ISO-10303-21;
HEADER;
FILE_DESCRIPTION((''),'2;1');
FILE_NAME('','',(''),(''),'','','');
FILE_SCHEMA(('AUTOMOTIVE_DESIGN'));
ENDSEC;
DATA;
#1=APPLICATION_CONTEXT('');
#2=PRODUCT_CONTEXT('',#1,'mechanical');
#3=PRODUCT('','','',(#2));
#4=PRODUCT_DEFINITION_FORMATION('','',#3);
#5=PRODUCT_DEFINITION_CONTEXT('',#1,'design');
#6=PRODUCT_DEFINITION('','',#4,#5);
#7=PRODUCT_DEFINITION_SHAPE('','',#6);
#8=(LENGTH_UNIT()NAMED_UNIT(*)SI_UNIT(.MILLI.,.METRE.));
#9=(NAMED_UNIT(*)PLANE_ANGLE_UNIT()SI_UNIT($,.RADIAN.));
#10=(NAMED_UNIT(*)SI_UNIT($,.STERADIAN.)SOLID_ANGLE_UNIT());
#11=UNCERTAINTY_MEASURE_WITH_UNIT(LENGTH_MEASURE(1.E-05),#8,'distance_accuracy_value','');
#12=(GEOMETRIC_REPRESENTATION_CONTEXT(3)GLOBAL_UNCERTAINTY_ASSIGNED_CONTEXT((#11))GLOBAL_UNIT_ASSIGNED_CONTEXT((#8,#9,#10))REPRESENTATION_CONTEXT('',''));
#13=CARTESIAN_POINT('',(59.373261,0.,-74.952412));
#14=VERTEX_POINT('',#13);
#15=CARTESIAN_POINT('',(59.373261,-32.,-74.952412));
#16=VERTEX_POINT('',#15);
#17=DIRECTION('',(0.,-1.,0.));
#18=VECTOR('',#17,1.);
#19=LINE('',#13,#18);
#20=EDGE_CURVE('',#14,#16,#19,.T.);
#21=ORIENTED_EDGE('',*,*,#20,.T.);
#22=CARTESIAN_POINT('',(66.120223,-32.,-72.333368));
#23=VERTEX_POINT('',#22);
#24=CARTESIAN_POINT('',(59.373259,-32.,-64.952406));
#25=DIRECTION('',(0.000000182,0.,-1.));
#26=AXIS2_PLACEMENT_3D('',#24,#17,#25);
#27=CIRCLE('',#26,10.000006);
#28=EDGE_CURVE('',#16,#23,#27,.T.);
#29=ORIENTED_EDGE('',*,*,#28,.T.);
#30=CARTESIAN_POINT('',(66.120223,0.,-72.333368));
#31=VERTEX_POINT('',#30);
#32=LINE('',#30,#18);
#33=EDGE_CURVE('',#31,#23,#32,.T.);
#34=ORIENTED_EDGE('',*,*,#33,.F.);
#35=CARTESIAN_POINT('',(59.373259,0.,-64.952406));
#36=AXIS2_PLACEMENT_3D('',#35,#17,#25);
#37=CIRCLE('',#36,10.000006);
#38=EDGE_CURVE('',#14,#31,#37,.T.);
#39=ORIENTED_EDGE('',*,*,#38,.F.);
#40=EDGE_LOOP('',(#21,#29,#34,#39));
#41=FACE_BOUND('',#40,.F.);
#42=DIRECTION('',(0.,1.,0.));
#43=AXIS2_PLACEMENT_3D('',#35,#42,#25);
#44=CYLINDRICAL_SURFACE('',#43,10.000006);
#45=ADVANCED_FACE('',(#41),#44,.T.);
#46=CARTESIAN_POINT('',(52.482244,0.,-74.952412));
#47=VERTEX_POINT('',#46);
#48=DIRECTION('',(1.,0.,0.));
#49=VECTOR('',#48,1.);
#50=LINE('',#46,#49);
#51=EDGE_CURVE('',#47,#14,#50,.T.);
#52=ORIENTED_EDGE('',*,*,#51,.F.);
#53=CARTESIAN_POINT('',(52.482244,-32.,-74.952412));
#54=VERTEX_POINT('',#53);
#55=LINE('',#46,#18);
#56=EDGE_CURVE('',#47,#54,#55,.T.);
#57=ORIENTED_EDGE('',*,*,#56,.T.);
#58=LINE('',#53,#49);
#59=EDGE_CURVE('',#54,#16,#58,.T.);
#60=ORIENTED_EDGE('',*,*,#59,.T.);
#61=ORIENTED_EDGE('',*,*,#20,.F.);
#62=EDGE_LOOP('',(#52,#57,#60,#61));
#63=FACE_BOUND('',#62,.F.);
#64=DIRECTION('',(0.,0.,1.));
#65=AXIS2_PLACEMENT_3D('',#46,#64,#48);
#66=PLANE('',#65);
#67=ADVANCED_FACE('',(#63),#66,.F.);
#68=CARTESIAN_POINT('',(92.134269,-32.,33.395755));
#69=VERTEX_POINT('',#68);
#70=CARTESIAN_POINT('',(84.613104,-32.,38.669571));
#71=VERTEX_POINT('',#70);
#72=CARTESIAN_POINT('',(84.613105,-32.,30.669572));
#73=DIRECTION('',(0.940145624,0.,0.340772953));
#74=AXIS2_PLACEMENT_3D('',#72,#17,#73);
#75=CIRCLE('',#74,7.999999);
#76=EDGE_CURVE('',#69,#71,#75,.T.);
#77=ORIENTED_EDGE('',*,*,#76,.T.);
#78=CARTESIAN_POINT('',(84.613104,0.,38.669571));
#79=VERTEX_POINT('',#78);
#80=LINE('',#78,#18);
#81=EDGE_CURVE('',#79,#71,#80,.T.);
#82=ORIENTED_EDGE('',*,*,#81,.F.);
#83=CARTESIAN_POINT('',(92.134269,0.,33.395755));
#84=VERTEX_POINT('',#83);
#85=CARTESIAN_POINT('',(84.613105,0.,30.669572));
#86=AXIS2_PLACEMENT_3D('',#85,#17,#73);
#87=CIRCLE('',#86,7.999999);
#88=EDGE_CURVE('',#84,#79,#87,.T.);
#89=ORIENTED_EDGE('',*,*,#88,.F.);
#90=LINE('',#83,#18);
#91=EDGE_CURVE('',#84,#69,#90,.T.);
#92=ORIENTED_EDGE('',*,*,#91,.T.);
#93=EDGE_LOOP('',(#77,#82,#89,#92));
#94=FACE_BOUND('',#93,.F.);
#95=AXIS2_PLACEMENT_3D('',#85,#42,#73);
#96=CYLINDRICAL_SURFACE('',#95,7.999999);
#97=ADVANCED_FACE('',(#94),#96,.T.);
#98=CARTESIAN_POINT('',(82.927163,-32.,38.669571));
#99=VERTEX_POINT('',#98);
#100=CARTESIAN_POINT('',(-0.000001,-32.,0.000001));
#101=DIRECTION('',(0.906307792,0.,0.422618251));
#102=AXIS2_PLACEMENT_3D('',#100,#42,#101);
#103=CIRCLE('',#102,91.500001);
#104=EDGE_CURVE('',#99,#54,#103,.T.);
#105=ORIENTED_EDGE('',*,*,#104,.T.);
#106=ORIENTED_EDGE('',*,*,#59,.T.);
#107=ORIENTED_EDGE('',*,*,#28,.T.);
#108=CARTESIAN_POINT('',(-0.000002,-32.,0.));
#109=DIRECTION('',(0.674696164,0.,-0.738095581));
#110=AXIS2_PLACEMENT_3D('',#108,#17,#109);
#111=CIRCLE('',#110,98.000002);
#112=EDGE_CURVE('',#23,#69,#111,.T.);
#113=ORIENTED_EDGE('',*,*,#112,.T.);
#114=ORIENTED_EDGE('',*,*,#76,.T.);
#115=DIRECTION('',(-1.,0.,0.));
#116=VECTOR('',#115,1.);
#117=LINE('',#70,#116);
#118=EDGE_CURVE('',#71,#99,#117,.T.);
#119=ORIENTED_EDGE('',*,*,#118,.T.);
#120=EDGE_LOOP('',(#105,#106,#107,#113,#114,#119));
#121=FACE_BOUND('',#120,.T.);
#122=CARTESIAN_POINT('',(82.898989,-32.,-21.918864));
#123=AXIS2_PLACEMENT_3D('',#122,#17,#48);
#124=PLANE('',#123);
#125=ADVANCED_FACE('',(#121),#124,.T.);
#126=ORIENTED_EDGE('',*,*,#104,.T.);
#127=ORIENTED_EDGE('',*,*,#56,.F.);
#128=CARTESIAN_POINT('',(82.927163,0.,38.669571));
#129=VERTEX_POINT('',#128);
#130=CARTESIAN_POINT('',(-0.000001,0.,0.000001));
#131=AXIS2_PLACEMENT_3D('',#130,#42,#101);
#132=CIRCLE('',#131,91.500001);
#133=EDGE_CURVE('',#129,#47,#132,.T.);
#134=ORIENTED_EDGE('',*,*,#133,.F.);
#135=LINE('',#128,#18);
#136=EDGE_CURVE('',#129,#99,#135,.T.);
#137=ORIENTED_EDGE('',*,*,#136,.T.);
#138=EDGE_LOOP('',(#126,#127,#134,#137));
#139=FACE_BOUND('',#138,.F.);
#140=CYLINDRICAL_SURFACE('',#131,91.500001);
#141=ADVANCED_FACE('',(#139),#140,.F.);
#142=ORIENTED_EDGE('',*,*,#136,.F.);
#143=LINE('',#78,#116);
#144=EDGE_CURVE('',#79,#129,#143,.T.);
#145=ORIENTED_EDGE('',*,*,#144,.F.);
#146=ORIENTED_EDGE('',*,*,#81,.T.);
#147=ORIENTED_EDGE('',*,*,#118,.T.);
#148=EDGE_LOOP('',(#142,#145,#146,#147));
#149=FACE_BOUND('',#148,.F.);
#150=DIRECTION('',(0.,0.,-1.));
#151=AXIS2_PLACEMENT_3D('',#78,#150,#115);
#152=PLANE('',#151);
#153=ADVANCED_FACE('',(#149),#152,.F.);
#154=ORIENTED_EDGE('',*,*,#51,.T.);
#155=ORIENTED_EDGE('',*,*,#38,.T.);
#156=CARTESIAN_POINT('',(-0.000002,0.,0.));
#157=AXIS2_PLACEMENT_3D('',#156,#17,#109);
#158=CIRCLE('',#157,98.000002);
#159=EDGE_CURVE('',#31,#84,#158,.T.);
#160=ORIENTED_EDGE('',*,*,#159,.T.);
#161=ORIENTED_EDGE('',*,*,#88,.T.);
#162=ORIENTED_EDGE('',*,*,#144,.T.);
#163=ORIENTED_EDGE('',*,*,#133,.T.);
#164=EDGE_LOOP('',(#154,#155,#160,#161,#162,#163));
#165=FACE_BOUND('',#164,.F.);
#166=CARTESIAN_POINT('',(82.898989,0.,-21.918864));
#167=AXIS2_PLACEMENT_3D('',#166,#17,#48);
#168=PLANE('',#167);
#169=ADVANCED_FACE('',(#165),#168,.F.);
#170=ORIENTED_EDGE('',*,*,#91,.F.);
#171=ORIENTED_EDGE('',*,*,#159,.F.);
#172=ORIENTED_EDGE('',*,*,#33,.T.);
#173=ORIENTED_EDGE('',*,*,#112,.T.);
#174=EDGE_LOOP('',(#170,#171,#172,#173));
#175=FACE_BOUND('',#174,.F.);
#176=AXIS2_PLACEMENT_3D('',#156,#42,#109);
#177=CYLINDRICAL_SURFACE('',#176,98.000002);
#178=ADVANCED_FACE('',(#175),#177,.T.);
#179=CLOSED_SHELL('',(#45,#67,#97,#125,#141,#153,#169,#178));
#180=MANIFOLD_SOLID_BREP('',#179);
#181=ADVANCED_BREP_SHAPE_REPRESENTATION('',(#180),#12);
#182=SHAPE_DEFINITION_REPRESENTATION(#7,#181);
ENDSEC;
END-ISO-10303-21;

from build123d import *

# Parameters (mm, degrees)
F1_DEPTH = 32


with BuildPart() as f1:
    # F0 (on Front) → F1 (new body)
    with BuildSketch(Plane.XZ):
        with BuildLine():
            ThreePointArc((82.927163, 38.669571), (88.382213, -23.681943), (52.482244, -74.952412))
            Line((52.482244, -74.952412), (59.373261, -74.952412))
            ThreePointArc((59.373261, -74.952412), (62.991993, -74.274685), (66.120223, -72.333368))
            ThreePointArc((66.120223, -72.333368), (95.161877, -23.414036), (92.134269, 33.395755))
            ThreePointArc((92.134269, 33.395755), (89.206062, 37.219742), (84.613104, 38.669571))
            Line((84.613104, 38.669571), (82.927163, 38.669571))
        make_face()
    extrude(amount=F1_DEPTH)


solid = f1.part
